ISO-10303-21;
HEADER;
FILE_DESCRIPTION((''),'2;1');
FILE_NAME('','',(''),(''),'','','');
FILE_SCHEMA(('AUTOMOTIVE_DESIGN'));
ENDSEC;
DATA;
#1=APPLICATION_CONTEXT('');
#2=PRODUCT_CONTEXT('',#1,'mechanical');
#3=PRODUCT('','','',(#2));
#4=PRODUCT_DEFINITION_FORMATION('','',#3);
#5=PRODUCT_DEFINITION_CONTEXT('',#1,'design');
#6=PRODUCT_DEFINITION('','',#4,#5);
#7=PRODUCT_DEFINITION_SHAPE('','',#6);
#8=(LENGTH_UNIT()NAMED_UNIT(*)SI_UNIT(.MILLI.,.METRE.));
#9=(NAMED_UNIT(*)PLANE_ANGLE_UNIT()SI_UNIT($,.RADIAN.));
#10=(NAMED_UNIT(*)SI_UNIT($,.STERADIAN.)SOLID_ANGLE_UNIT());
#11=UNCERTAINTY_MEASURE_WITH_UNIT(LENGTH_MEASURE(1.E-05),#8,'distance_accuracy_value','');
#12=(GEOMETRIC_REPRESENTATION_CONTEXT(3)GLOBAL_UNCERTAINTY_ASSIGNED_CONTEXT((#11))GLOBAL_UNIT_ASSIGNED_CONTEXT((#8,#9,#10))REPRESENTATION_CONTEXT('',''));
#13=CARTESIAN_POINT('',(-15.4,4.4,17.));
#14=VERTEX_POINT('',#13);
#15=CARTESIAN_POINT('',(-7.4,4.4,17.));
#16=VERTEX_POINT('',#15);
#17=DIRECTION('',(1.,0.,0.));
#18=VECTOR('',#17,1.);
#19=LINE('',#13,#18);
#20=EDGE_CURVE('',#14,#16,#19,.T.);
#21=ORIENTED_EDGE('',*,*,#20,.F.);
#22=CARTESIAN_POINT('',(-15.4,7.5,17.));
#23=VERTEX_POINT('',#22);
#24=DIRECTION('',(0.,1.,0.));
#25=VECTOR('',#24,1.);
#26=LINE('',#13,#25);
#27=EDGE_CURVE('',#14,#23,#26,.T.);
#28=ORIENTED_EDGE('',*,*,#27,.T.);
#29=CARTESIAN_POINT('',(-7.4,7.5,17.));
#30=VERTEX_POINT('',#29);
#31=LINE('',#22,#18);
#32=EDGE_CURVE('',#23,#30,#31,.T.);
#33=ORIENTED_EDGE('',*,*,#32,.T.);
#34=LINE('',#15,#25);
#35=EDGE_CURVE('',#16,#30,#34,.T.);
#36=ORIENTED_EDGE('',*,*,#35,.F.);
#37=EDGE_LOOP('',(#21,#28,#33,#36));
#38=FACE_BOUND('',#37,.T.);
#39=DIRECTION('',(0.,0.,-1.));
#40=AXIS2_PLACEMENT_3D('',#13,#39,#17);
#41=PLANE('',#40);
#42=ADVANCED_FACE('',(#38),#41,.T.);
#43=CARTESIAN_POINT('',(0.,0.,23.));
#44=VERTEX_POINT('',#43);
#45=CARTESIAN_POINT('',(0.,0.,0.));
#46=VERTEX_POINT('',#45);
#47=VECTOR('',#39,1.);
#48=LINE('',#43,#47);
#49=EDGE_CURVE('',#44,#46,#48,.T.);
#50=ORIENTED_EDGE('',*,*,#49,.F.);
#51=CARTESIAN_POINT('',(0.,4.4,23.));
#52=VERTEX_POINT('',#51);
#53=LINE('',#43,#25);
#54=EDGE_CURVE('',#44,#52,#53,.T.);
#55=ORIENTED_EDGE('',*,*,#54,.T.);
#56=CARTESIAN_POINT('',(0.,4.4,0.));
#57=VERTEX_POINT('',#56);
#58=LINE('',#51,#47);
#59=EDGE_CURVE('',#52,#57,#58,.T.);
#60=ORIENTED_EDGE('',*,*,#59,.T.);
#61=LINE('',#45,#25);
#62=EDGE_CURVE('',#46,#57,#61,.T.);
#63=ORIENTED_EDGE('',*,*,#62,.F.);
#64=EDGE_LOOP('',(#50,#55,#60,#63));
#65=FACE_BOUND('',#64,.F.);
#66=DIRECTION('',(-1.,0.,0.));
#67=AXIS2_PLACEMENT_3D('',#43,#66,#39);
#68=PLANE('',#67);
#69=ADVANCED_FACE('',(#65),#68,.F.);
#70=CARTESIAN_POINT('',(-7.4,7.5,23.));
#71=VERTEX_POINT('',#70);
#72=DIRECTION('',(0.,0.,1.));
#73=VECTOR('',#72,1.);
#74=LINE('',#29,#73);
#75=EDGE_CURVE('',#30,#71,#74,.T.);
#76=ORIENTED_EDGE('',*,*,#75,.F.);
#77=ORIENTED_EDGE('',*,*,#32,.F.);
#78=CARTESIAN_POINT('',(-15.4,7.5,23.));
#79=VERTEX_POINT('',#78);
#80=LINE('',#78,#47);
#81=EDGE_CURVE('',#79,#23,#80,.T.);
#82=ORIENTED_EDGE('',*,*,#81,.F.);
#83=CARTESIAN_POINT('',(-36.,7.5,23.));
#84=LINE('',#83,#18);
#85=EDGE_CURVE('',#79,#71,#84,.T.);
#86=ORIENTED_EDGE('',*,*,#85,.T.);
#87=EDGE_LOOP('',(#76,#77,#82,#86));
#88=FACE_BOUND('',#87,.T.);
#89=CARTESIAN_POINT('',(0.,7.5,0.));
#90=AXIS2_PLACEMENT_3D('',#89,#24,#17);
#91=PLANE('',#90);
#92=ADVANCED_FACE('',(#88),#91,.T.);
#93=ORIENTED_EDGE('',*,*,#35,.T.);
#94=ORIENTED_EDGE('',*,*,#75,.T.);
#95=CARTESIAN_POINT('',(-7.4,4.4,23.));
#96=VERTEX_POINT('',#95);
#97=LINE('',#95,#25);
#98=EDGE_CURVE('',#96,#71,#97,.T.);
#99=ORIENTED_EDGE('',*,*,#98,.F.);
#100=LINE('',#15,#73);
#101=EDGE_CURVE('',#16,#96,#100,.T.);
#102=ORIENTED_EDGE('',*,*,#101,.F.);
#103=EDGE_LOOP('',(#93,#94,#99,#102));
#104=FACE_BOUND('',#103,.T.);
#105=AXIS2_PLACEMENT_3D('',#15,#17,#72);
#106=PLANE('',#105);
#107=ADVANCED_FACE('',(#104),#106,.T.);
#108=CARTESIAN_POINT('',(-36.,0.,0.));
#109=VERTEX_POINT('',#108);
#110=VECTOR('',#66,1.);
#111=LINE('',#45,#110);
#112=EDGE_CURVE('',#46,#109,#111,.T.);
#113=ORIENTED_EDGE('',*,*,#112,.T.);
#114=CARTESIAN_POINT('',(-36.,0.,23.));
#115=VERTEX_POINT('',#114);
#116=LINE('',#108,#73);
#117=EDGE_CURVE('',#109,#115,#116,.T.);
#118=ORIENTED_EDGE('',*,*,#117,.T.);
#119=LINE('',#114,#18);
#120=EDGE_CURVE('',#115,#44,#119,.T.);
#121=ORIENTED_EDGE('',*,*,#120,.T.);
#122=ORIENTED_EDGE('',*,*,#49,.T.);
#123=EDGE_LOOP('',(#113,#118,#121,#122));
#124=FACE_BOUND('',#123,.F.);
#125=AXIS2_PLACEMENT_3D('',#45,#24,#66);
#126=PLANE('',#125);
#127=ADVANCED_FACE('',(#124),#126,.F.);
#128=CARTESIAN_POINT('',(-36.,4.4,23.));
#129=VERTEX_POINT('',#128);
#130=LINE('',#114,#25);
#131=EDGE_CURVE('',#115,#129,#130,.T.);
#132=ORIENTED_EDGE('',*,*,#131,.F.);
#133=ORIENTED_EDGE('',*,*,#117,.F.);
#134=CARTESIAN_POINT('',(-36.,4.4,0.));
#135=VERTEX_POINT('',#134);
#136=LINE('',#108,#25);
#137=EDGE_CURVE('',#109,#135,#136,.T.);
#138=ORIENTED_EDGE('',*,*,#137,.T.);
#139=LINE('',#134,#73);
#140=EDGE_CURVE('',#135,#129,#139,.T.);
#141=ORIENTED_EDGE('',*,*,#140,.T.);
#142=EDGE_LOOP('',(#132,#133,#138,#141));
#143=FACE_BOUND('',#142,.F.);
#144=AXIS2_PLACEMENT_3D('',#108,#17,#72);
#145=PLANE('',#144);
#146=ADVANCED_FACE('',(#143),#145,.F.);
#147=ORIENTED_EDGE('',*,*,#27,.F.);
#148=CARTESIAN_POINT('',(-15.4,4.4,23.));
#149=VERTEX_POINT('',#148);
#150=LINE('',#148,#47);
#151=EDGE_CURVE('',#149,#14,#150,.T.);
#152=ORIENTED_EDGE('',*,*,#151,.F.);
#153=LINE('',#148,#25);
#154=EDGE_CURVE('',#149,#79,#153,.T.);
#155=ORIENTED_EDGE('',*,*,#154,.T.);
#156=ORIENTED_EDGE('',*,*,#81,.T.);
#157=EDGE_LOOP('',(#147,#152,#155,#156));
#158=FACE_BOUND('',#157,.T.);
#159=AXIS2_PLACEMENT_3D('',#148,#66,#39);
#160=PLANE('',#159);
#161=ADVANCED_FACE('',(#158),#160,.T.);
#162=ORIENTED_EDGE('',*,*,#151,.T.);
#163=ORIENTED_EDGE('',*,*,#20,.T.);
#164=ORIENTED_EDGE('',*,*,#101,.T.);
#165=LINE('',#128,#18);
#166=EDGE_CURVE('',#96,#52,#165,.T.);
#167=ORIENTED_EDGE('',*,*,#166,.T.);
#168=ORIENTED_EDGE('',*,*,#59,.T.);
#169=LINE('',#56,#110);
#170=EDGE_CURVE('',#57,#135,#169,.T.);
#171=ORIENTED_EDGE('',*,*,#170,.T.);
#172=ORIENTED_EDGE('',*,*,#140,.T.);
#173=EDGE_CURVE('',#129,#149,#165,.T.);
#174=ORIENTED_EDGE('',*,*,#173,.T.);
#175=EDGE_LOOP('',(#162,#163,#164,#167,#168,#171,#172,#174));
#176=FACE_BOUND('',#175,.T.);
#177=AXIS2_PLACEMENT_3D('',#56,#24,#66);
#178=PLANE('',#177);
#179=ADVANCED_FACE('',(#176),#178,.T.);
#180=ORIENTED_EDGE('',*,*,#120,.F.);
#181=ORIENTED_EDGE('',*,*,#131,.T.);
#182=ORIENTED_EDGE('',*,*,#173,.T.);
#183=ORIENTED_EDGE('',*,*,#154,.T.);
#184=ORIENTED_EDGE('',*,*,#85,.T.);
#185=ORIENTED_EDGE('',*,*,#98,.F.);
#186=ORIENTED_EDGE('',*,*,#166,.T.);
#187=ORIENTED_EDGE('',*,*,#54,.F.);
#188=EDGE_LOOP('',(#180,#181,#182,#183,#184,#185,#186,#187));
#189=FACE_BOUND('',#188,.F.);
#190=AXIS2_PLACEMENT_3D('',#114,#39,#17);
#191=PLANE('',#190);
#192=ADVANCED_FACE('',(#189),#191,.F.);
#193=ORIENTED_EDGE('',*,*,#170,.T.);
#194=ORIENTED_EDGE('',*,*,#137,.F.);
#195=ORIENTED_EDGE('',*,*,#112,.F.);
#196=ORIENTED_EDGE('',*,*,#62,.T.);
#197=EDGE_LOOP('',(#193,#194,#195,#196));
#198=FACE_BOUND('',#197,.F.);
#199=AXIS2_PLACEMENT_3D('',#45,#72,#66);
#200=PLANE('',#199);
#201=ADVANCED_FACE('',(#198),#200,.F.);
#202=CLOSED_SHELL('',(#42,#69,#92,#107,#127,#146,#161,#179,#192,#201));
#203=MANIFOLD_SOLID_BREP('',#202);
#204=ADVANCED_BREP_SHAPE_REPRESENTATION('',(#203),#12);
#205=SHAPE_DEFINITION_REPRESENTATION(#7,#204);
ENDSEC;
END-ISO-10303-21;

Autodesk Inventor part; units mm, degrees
ref_plane "YZ Plane" through (0, 0, 0) normal (1, 0, 0) x (0, 1, 0)
ref_plane "XZ Plane" through (0, 0, 0) normal (0, 1, 0) x (-1, 0, 0)
ref_plane "XY Plane" through (0, 0, 0) normal (0, 0, 1) x (1, 0, 0)
sketch "Sketch1" plane through (0, 0, 0) normal (0, 1, 0) x (-1, 0, 0)
  line L0 (36, 23) -> (0, 23)
  line L1 (0, 23) -> (0, 0)
  line L2 (0, 0) -> (36, 0)
  line L3 (36, 0) -> (36, 23)
  dimension "d0" = 36
  dimension "d1" = 23
extrude "Extrusion1" add sketch "Sketch1" along normal blind 4.4
sketch "Sketch2" plane through (0, 4.4, 0) normal (0, 1, 0) x (1, 0, 0)
  line L0 (-36, -23) -> (0, -23) projected
  line L1 (-15.4, -17) -> (-7.4, -17)
  line L2 (-7.4, -17) -> (-7.4, -23)
  line L3 (-7.4, -23) -> (-15.4, -23)
  line L4 (-15.4, -23) -> (-15.4, -17)
  line L5 (0, -23) -> (0, 0) projected
  dimension "d4" = 8
  dimension "d5" = 6
  dimension "d6" = 7.4
extrude "Extrusion2" add sketch "Sketch2" along normal blind 3.1
properties part number "Power Booster" material "ABS Plastic"
